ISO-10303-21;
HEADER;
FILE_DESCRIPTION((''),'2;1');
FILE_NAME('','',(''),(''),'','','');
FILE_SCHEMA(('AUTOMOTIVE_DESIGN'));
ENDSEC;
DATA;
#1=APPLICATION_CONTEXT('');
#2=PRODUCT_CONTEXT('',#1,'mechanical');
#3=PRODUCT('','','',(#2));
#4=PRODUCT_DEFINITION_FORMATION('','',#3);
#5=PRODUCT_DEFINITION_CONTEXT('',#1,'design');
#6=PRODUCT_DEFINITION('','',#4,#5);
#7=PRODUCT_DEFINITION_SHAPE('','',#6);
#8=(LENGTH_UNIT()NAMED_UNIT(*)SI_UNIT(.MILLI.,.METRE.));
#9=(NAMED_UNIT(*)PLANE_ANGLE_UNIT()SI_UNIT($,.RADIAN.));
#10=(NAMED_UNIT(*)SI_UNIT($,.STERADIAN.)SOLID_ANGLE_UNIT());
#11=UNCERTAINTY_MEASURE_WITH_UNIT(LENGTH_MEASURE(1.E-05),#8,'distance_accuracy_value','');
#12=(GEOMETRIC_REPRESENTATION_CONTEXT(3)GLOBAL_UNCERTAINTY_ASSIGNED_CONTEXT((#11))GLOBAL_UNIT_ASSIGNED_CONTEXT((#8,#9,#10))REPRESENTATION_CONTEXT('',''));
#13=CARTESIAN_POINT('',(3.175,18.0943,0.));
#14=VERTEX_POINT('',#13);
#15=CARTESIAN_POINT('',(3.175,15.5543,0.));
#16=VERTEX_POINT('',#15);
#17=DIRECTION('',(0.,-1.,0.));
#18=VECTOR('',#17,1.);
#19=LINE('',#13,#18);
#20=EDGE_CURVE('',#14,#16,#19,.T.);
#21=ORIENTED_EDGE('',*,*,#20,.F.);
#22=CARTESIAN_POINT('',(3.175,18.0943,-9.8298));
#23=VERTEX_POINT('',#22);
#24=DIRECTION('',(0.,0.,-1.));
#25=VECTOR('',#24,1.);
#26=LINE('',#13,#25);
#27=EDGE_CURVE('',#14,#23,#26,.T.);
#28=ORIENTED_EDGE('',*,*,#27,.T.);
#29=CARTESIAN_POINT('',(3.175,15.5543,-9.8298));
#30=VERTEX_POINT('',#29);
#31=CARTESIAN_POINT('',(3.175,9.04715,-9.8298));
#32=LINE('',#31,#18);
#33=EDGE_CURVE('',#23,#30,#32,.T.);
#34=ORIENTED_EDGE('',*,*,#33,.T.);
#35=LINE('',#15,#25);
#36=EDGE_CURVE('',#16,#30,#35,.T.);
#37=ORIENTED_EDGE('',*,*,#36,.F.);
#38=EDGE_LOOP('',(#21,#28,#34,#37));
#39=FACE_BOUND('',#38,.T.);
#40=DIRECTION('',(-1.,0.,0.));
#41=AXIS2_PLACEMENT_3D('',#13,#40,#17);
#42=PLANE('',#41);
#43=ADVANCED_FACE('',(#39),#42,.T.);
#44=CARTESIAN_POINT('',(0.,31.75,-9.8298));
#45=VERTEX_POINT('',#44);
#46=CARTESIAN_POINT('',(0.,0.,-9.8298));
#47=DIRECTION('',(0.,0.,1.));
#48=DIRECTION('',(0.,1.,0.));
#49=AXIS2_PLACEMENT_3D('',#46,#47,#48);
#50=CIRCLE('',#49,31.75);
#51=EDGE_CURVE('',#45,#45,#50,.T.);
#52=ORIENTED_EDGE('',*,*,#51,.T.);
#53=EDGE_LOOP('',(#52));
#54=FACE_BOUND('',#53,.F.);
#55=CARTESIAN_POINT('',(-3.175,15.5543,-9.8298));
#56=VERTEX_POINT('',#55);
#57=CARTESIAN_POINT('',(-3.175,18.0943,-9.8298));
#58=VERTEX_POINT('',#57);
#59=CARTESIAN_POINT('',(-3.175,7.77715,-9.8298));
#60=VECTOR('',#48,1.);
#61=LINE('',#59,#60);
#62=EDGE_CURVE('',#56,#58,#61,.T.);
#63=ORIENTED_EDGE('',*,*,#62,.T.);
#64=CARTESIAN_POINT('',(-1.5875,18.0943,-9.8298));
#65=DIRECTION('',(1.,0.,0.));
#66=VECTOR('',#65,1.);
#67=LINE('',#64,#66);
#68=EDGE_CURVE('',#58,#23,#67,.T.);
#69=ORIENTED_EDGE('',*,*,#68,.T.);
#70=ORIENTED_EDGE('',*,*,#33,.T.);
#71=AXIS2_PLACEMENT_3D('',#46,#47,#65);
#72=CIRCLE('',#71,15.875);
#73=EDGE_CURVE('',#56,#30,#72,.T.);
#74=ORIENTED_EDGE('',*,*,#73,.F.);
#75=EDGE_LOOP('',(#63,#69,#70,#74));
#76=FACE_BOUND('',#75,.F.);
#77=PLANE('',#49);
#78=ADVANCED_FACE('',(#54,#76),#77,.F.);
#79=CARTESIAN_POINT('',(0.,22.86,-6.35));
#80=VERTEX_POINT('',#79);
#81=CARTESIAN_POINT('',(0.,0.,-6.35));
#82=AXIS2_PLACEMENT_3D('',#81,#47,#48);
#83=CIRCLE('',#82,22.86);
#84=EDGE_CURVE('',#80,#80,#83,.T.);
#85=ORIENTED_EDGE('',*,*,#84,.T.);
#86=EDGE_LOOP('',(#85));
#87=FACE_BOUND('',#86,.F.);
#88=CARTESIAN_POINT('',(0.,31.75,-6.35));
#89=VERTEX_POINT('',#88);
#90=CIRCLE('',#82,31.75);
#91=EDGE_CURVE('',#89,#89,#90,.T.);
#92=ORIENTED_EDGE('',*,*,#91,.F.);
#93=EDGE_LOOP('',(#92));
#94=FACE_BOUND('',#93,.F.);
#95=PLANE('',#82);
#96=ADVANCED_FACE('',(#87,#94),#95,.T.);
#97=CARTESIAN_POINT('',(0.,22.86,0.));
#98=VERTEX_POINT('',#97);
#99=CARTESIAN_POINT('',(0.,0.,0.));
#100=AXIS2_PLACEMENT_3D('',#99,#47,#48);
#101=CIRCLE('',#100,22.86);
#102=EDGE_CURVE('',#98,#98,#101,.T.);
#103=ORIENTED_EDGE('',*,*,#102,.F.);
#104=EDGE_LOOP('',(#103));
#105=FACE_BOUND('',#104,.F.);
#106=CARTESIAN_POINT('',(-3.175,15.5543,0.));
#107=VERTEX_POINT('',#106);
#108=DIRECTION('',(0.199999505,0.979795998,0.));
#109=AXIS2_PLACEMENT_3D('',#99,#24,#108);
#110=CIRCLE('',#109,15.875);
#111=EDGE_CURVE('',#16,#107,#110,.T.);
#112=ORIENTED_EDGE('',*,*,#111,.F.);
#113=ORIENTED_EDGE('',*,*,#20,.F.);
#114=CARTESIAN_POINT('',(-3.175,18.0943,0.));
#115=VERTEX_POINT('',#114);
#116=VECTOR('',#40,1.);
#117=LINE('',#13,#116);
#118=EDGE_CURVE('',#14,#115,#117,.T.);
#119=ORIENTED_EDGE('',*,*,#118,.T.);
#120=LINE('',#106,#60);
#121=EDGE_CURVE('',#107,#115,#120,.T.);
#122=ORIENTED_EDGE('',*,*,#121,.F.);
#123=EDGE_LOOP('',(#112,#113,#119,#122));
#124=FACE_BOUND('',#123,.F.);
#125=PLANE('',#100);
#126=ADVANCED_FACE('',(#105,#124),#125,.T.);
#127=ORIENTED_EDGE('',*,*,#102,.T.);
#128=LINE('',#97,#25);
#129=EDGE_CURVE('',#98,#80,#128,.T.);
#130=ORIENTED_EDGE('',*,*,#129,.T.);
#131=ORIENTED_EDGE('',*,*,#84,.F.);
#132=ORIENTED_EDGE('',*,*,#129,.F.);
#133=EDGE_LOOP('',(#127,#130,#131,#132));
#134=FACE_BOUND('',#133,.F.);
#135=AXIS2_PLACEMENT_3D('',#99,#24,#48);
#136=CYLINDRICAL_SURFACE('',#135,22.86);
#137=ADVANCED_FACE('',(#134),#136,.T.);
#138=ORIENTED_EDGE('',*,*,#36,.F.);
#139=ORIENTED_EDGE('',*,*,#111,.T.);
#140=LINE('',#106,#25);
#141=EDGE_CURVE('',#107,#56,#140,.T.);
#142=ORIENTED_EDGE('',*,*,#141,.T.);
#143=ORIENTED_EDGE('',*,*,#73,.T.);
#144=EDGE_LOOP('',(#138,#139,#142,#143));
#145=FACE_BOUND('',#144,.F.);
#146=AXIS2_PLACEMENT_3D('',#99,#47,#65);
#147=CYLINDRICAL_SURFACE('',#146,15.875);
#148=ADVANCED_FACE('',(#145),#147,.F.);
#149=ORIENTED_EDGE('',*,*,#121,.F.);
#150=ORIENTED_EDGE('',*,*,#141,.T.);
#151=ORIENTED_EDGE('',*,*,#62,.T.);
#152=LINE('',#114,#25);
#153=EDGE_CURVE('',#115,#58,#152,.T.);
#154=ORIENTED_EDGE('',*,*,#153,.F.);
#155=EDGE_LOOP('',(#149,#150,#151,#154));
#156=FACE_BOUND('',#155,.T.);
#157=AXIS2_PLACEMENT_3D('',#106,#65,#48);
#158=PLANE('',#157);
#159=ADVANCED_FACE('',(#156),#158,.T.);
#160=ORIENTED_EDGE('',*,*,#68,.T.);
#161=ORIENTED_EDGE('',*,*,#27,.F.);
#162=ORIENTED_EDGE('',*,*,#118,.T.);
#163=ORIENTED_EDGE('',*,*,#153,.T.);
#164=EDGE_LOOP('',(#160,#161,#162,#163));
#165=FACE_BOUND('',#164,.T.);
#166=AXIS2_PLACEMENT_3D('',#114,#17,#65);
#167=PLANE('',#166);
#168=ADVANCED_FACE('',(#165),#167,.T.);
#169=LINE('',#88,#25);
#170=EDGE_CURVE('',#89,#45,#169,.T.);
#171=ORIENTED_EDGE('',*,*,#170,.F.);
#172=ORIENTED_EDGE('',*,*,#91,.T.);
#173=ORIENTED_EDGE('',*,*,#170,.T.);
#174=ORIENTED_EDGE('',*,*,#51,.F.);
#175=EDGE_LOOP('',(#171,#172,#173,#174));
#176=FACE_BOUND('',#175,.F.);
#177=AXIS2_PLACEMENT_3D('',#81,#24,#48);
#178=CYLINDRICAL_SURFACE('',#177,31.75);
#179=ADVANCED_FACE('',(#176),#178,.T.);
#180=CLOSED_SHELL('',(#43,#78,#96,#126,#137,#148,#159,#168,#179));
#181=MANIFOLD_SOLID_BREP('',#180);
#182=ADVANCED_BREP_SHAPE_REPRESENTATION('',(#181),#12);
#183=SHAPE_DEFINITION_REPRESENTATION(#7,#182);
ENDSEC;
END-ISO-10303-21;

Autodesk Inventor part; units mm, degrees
ref_plane "YZ Plane" through (0, 0, 0) normal (1, 0, 0) x (0, 1, 0)
ref_plane "XZ Plane" through (0, 0, 0) normal (0, 1, 0) x (-1, 0, 0)
ref_plane "XY Plane" through (0, 0, 0) normal (0, 0, 1) x (1, 0, 0)
sketch "Sketch1" plane through (0, 0, 0) normal (1, 0, 0) x (0, 1, 0)
  line L0 (0, 0) -> (22.86, 0)
  line L1 (22.86, 0) -> (22.86, -6.35)
  line L2 (22.86, -6.35) -> (31.75, -6.35)
  line L3 (31.75, -6.35) -> (31.75, -9.8298)
  line L4 (31.75, -9.8298) -> (0, -9.8298)
  line L5 (0, -9.8298) -> (0, 0)
  dimension "d0" = 22.86
  dimension "d1" = 6.35
  dimension "d2" = 8.89
  dimension "d3" = 3.4798
revolve "Revolution1" add sketch "Sketch1" angle 360 about axis through (0, 0, -9.8298) along (0, 0, 1)
sketch "Sketch2" plane through (0, 0, 0) normal (0, 0, 1) x (1, 0, 0)
  circle A0 centre (0, 0) radius 15.875
  line L0 (-3.175, 15.5543) -> (-3.175, 18.0943)
  line L1 (-3.175, 18.0943) -> (3.175, 18.0943)
  line L2 (3.175, 18.0943) -> (3.175, 15.5543)
  line L3 (0, 0) -> (0, 24.2947)
  point P0 (0, 0)
  point P1 (0, 18.0943)
  dimension "d5" = 31.75
  dimension "d6" = 6.35
  dimension "d7" = 2.54
extrude "Extrusion1" cut sketch "Sketch2" against normal through all
sketch "Sketch3" plane through (0, 0, -6.35) normal (0, 0, 1) x (1, 0, 0)
  point P0 (0, 0)
properties part number "SprocketAdapter"
